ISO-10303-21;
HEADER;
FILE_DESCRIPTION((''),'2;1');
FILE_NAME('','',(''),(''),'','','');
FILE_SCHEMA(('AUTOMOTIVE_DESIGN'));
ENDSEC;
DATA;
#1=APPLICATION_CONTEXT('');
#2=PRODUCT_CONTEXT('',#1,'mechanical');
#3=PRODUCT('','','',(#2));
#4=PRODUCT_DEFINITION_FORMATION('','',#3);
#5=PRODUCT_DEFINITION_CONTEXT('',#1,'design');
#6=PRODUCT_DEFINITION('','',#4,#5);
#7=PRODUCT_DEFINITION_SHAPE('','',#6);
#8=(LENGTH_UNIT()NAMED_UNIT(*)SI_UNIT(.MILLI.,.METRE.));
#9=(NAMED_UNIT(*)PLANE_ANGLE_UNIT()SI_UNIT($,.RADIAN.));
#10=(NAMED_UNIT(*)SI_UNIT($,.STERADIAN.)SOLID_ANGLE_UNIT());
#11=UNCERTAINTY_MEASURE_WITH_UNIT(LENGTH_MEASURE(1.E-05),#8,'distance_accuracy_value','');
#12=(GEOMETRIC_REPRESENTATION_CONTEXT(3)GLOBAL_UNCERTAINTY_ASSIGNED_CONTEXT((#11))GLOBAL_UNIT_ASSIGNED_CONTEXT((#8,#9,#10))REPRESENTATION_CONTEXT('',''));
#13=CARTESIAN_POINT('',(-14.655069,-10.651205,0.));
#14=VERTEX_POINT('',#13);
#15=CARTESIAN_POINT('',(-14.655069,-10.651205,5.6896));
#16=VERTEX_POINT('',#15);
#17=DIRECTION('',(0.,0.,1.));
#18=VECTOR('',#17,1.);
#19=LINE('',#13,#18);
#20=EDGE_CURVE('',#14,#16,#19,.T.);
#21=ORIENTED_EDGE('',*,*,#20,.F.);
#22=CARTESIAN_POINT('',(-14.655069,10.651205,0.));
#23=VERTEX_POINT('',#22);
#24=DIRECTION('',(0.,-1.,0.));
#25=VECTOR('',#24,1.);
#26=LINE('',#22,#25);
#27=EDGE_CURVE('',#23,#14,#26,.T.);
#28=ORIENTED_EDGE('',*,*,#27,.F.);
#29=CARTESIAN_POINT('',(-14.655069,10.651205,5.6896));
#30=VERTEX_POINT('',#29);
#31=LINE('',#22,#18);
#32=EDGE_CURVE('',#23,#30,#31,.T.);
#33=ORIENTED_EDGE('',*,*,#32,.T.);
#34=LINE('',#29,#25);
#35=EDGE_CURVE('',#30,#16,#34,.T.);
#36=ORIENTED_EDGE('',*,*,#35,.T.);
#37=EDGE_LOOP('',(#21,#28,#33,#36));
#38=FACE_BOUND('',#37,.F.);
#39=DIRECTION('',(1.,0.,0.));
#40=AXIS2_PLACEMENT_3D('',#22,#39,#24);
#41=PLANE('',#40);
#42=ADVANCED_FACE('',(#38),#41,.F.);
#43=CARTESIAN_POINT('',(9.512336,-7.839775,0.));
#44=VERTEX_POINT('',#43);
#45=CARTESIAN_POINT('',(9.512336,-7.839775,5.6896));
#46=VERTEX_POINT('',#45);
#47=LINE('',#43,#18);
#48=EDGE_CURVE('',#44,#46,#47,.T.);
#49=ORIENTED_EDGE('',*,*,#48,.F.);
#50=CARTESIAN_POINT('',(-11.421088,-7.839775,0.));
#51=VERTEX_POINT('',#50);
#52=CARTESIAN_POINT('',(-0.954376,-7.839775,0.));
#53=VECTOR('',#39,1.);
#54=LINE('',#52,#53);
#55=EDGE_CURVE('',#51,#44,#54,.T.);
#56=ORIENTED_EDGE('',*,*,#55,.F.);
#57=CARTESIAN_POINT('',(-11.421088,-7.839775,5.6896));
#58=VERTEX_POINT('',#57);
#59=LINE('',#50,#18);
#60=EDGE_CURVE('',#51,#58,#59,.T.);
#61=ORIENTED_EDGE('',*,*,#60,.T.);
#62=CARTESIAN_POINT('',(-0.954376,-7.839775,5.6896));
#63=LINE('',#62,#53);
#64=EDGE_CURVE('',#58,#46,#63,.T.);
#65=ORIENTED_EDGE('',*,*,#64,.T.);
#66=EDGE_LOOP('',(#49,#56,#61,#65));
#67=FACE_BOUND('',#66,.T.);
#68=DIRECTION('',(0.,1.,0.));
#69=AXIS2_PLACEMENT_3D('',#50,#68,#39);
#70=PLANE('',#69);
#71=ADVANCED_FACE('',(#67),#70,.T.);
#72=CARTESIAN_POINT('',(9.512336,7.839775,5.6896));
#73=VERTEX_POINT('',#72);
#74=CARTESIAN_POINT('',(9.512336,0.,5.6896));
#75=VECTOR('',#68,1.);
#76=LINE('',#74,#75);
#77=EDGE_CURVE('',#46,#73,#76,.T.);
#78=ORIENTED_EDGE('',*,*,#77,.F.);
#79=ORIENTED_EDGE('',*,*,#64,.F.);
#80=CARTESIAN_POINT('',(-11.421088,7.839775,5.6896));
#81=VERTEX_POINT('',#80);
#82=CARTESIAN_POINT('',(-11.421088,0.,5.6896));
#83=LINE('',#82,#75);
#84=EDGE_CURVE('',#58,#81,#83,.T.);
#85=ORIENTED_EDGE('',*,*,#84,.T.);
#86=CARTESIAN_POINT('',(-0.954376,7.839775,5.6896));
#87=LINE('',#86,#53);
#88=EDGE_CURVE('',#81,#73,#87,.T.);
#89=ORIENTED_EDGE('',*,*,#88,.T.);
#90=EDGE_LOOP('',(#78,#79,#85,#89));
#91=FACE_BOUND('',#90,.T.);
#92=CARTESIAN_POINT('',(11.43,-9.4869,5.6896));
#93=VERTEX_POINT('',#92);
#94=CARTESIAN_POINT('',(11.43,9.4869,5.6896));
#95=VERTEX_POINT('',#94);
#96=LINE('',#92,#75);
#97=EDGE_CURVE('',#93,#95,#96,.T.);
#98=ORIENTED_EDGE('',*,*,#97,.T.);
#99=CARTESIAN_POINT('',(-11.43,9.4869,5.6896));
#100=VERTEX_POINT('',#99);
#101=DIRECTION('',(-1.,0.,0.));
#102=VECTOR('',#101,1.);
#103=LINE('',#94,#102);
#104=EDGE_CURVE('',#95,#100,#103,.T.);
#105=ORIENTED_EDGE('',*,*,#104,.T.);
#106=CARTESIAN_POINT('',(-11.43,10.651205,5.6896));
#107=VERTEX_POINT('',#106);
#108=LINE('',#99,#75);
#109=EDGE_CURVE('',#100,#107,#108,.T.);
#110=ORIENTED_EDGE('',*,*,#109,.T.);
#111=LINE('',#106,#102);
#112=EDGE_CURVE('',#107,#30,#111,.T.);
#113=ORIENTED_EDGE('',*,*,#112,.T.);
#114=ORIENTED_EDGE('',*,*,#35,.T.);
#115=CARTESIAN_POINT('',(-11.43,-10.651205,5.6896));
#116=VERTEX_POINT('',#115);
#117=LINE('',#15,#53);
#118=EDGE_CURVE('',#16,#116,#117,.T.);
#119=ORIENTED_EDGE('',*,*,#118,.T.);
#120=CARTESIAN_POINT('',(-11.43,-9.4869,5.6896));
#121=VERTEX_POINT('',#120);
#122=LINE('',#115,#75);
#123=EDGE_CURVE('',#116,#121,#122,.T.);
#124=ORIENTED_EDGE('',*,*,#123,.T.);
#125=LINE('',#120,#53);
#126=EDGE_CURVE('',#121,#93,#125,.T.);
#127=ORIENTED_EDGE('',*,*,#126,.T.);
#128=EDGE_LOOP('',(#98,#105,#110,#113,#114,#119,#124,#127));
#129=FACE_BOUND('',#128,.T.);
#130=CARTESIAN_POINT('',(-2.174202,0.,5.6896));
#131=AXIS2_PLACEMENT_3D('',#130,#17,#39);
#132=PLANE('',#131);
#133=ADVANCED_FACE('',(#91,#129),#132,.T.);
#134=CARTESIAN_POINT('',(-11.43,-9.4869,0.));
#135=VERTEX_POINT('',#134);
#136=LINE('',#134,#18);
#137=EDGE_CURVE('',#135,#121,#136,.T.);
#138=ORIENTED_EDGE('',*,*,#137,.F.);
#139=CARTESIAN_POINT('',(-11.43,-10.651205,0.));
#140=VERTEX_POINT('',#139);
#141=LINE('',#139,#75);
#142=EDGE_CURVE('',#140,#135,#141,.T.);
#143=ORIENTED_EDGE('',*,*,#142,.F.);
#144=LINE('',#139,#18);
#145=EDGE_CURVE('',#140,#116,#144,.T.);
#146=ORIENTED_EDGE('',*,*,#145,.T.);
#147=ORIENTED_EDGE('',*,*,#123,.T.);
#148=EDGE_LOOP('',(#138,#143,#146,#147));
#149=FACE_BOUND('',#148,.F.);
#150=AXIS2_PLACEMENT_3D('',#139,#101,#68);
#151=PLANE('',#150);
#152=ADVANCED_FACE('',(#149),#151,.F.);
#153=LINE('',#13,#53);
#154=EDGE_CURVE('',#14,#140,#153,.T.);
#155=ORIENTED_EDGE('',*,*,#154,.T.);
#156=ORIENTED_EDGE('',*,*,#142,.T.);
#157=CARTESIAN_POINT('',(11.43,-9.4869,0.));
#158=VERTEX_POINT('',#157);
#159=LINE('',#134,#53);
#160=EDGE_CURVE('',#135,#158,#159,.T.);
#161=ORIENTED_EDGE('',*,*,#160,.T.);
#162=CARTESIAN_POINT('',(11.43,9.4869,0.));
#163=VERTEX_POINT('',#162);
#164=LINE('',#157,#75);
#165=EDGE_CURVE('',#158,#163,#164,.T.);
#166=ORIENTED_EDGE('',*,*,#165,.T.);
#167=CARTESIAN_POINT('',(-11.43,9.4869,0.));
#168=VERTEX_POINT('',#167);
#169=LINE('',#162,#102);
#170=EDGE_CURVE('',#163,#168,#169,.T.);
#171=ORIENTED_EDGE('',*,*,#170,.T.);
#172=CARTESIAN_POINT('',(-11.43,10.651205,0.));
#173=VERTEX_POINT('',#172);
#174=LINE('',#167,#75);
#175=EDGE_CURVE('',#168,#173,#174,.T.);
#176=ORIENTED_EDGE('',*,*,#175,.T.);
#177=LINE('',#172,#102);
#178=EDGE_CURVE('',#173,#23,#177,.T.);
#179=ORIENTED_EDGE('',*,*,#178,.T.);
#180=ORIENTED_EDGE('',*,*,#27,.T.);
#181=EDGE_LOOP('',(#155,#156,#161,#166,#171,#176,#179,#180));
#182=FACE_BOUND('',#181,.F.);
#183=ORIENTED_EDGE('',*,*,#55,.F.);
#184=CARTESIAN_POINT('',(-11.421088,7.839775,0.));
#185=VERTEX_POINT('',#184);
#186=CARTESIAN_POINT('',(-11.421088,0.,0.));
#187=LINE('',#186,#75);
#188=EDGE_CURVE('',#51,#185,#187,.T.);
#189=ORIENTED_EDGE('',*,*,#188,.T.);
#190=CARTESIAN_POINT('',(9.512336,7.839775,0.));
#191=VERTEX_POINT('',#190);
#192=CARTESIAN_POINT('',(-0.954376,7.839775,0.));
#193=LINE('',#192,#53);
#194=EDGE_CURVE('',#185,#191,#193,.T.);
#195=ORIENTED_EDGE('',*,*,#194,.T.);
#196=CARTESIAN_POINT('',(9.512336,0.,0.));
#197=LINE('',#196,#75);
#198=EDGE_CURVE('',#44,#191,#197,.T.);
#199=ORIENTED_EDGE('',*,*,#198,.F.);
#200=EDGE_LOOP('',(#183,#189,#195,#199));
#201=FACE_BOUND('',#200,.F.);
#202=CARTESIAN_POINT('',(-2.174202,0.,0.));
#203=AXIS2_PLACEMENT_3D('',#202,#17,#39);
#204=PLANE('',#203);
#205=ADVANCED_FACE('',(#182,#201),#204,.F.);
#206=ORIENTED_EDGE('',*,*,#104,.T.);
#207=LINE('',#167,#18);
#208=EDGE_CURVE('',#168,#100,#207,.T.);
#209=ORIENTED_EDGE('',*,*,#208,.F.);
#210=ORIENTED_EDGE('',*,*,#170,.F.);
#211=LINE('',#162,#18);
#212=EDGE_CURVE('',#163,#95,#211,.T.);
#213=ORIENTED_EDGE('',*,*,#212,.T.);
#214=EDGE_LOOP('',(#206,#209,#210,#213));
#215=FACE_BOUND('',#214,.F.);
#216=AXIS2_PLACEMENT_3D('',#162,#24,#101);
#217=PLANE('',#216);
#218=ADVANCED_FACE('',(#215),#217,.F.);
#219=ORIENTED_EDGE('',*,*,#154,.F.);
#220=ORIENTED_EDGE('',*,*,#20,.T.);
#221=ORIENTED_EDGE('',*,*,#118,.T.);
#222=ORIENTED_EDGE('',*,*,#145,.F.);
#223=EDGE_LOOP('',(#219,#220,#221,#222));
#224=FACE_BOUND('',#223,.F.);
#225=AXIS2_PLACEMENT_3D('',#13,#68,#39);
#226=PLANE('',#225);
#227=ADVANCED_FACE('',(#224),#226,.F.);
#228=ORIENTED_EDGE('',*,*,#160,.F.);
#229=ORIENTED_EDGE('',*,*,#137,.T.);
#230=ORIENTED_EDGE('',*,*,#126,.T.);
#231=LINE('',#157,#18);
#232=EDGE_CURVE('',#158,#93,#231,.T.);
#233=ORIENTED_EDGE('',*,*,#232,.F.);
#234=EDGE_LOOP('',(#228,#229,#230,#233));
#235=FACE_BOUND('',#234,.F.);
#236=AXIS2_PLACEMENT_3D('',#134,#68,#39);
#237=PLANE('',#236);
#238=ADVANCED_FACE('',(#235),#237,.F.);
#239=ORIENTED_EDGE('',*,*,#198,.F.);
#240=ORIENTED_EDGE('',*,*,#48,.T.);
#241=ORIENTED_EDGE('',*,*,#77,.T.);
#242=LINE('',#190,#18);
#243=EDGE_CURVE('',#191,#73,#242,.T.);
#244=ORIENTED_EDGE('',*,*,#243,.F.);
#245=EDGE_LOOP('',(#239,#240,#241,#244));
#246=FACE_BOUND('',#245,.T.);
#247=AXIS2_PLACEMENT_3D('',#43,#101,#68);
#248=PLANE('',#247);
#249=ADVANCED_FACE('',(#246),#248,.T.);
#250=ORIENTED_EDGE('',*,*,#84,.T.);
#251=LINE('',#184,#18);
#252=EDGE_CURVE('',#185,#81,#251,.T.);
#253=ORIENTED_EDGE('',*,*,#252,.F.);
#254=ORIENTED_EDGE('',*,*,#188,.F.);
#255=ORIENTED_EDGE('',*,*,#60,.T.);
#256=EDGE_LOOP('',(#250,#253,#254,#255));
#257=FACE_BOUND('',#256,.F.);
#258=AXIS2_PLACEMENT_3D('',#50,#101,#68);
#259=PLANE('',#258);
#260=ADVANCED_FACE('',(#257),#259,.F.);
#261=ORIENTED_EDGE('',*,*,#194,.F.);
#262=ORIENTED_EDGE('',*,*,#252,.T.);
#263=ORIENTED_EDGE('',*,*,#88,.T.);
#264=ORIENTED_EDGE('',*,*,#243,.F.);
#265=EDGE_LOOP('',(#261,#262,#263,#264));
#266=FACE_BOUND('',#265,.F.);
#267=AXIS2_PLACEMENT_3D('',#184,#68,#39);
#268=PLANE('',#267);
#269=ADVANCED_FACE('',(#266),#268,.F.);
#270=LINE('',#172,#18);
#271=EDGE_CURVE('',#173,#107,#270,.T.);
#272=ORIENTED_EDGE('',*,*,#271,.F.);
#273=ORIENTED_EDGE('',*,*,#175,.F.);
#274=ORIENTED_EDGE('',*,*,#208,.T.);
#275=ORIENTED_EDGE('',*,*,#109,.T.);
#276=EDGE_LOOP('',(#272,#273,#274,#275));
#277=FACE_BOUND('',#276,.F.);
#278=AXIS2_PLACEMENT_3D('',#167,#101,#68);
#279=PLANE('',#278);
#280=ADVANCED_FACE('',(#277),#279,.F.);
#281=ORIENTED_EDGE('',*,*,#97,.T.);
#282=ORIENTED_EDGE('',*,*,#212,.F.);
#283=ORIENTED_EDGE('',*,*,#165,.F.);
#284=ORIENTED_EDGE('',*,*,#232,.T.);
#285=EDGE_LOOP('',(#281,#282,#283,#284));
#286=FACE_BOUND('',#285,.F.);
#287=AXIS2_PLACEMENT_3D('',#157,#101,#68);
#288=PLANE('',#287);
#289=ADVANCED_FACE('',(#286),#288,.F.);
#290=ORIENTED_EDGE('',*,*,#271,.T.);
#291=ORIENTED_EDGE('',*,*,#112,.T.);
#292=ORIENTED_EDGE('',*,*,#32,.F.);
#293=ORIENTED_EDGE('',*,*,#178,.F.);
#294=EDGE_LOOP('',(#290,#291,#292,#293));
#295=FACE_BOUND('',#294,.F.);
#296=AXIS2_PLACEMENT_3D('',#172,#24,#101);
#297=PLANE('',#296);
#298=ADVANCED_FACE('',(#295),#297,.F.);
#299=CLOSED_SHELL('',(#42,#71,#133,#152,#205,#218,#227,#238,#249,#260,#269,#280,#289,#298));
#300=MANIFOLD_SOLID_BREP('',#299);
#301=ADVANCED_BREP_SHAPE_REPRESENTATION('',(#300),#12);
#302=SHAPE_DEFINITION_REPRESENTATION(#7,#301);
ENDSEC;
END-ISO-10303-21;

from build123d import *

# Parameters (mm, degrees)
F0_W     = 20.933425
F0_H     = 15.67955
F1_DEPTH = 5.6896


with BuildPart() as f1:
    # F0 (on Top) → F1 (new body)
    with BuildSketch(Plane.XY):
        Polygon((-11.43, -9.4869), (11.43, -9.4869), (11.43, 9.4869), (-11.43, 9.4869), (-11.43, 10.651205), (-14.655069, 10.651205), (-14.655069, 9.4869), (-14.655069, -9.462444), (-14.655069, -9.4869), (-14.655069, -10.651205), (-11.43, -10.651205), align=None)
        with Locations((-0.954376, 0)):
            Rectangle(F0_W, F0_H, mode=Mode.SUBTRACT)
    extrude(amount=F1_DEPTH)


solid = f1.part
